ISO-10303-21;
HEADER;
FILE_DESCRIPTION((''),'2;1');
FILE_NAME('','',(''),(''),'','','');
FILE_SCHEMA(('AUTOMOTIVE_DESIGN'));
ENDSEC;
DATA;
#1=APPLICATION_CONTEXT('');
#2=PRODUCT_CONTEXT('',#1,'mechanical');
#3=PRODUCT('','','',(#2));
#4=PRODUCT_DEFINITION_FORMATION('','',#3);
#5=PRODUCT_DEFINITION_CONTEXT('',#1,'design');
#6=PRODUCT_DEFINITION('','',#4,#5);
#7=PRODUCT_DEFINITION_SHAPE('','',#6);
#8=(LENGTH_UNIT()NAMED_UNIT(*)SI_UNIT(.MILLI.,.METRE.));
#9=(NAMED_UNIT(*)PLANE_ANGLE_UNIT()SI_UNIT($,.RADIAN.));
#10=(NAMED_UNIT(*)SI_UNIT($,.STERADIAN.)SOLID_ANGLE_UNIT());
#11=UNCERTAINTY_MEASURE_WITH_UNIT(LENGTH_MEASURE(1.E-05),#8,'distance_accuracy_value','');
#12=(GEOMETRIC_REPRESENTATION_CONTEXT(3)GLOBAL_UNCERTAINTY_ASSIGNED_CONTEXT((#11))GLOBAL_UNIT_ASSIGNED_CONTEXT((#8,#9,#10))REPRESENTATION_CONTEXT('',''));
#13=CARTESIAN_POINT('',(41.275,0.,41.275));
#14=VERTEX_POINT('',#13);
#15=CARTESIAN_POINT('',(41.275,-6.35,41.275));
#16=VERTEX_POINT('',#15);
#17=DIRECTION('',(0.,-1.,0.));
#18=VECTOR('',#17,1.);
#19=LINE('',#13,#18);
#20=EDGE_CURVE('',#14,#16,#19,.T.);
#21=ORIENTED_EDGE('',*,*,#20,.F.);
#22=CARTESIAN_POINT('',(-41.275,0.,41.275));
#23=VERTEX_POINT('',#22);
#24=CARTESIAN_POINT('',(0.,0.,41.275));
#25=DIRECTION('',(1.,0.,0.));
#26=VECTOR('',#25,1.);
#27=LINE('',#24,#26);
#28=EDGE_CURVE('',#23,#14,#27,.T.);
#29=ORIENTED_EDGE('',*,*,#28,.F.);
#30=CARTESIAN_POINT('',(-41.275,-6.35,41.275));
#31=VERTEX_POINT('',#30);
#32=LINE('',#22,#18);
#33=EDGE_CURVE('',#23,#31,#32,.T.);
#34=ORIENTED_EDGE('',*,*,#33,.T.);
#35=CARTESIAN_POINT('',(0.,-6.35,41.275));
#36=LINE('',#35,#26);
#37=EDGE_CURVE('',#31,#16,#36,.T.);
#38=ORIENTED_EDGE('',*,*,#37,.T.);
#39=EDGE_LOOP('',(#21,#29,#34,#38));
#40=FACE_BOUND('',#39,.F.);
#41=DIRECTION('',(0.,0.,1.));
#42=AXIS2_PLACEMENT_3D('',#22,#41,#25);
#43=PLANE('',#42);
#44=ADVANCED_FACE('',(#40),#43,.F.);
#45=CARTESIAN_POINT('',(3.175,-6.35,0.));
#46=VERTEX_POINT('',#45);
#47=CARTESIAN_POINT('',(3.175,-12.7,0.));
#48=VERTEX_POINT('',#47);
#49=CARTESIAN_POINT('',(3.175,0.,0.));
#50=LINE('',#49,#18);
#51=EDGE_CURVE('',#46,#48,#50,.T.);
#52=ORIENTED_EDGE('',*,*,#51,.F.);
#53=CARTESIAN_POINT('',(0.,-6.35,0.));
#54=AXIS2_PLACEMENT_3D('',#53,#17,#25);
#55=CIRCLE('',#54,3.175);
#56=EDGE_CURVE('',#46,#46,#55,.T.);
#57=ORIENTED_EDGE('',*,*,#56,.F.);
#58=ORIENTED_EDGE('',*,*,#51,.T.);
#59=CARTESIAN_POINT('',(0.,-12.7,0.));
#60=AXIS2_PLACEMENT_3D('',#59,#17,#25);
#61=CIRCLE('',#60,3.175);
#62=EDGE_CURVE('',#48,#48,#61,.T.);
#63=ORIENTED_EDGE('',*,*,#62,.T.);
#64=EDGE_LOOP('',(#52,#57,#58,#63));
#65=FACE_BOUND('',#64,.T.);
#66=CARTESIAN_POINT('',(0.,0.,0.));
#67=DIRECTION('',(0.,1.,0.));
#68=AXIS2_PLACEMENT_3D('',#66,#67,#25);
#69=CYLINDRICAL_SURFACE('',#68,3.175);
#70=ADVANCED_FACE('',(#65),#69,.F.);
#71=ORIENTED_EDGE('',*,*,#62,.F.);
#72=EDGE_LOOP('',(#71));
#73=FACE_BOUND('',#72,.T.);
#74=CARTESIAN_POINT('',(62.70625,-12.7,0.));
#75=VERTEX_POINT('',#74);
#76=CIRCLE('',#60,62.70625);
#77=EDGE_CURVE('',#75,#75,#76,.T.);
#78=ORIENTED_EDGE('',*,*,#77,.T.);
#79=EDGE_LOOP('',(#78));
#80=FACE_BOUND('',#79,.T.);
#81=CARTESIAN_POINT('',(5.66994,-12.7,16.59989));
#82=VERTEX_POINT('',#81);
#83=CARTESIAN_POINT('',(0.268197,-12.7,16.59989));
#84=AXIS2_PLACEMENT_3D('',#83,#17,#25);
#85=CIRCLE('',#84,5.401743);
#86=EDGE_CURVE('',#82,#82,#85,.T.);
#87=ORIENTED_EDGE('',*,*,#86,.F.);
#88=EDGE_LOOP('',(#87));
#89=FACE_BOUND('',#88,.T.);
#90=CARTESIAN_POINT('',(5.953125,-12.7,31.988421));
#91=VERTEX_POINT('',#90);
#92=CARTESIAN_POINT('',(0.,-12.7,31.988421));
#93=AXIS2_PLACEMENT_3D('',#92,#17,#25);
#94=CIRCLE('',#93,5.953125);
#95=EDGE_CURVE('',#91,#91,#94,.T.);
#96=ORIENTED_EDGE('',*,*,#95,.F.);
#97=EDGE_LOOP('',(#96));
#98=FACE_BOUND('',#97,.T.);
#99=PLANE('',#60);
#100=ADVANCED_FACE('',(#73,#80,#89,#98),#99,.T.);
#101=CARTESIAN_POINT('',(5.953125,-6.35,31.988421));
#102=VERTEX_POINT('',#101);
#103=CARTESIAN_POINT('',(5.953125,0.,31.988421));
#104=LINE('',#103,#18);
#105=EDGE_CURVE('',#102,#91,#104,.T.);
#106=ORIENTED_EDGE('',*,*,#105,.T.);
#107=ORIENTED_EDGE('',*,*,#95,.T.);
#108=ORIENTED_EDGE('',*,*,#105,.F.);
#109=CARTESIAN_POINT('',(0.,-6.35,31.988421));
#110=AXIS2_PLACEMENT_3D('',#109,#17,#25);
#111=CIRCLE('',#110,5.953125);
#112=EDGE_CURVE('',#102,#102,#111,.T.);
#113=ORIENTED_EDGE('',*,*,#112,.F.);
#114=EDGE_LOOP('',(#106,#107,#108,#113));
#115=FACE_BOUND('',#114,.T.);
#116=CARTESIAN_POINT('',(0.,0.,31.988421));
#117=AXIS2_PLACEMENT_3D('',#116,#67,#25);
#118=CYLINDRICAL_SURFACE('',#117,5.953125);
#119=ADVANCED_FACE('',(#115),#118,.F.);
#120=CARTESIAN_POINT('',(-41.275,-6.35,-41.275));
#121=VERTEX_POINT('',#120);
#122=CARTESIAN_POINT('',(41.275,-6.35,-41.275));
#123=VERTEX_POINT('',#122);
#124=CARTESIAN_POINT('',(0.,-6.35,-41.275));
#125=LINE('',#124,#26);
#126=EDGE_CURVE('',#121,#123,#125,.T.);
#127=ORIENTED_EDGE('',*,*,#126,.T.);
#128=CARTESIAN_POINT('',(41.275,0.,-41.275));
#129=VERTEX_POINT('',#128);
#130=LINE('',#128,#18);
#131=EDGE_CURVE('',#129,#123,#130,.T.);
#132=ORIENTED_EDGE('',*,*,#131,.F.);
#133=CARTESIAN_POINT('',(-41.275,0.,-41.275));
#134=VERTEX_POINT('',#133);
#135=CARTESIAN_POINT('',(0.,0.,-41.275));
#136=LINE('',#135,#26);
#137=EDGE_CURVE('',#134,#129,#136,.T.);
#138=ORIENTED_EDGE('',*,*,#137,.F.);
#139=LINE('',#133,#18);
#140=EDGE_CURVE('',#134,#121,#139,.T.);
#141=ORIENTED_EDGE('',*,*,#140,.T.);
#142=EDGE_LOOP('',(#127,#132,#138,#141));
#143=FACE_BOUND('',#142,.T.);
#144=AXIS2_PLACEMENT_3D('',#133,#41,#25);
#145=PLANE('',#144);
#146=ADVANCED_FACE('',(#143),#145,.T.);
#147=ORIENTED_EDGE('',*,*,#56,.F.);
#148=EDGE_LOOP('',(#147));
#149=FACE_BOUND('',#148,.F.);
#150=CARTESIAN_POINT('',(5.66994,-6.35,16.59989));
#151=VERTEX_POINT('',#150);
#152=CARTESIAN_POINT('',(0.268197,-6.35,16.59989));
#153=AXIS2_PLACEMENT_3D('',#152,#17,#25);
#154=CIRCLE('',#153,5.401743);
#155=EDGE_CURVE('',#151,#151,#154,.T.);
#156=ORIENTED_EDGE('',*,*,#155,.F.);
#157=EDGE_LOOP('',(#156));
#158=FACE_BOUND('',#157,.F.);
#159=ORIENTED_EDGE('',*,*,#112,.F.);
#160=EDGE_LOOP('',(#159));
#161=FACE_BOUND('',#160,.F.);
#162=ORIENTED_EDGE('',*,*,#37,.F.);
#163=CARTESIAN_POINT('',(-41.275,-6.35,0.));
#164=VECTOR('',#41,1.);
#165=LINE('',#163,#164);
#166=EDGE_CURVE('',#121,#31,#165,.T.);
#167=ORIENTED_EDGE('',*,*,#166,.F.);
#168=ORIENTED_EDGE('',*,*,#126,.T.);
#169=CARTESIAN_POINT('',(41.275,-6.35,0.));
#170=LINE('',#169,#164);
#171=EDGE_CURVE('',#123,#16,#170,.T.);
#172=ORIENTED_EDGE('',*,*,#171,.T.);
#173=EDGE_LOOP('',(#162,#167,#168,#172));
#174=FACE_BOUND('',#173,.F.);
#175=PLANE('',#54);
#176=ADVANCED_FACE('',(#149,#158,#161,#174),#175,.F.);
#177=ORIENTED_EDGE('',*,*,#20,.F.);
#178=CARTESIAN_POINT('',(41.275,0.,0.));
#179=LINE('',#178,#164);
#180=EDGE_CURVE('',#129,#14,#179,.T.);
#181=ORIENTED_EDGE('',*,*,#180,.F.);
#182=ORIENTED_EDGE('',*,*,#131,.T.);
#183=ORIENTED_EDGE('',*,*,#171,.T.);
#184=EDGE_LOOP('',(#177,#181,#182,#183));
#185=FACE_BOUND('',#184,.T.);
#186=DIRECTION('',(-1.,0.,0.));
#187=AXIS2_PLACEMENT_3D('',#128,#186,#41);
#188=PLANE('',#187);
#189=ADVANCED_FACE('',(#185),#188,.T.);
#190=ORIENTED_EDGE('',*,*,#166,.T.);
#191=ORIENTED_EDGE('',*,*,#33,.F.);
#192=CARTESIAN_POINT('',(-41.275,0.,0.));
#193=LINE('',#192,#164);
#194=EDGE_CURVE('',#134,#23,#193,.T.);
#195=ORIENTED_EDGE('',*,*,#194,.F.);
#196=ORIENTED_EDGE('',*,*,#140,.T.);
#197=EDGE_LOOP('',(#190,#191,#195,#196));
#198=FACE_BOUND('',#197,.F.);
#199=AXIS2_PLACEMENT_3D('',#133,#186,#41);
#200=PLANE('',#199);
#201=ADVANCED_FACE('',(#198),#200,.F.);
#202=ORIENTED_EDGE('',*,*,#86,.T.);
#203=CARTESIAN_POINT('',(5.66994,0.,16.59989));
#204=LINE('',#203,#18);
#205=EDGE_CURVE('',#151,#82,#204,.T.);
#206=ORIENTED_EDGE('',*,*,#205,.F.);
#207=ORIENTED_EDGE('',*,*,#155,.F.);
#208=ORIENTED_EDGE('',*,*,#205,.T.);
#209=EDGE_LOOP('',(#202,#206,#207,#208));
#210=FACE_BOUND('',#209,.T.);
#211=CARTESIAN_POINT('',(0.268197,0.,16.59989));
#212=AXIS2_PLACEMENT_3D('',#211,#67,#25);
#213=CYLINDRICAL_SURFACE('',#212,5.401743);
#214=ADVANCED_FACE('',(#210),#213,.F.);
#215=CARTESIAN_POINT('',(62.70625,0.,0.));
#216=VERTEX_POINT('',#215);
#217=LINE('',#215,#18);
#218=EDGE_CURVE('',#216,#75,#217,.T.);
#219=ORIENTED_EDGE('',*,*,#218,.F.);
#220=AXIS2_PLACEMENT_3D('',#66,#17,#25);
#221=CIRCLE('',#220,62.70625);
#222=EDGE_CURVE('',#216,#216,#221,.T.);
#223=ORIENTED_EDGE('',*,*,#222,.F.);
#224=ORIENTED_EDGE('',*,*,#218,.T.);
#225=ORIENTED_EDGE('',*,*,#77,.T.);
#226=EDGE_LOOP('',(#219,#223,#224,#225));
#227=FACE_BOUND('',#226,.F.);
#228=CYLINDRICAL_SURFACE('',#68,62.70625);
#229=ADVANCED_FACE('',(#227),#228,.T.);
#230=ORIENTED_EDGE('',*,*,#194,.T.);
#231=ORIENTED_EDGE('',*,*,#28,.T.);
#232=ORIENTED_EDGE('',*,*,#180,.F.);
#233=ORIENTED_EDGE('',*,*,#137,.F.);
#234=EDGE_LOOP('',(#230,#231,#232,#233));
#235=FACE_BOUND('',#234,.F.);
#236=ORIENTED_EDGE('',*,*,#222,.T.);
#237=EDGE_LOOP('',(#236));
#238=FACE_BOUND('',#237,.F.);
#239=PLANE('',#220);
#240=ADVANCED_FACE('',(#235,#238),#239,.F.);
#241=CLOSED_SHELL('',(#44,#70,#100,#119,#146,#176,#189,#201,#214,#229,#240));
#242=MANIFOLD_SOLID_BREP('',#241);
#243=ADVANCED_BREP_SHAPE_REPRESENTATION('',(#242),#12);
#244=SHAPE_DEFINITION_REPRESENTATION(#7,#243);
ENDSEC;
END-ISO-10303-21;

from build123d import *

# Parameters (mm, degrees)
F0_R     = 62.70625
F0_W     = 82.55
F0_H     = 82.55
F1_DEPTH = 12.7
F0_R_2   = 3.175
F0_R_3   = 5.401743
F0_R_4   = 5.953125
F2_DEPTH = 12.7
F3_DEPTH = 6.35


with BuildPart() as f1:
    # F0 (on Front) → F1 (new body)
    with BuildSketch(Plane.XZ):
        Circle(F0_R)
        Rectangle(F0_W, F0_H, mode=Mode.SUBTRACT)
    extrude(amount=F1_DEPTH)

    # F0 (on Front) → F2 (join)
    with BuildSketch(Plane.XZ):
        Rectangle(F0_W, F0_H)
        Circle(F0_R_2, mode=Mode.SUBTRACT)
        with Locations((0.268197, 16.59989)):
            Circle(F0_R_3, mode=Mode.SUBTRACT)
        with Locations((0, 31.988421)):
            Circle(F0_R_4, mode=Mode.SUBTRACT)
    extrude(amount=F2_DEPTH)

    # F0 (on Front) → F3 (cut)
    with BuildSketch(Plane.XZ):
        Rectangle(F0_W, F0_H)
        Circle(F0_R_2, mode=Mode.SUBTRACT)
        with Locations((0.268197, 16.59989)):
            Circle(F0_R_3, mode=Mode.SUBTRACT)
        with Locations((0, 31.988421)):
            Circle(F0_R_4, mode=Mode.SUBTRACT)
    extrude(amount=F3_DEPTH, mode=Mode.SUBTRACT)


solid = f1.part
